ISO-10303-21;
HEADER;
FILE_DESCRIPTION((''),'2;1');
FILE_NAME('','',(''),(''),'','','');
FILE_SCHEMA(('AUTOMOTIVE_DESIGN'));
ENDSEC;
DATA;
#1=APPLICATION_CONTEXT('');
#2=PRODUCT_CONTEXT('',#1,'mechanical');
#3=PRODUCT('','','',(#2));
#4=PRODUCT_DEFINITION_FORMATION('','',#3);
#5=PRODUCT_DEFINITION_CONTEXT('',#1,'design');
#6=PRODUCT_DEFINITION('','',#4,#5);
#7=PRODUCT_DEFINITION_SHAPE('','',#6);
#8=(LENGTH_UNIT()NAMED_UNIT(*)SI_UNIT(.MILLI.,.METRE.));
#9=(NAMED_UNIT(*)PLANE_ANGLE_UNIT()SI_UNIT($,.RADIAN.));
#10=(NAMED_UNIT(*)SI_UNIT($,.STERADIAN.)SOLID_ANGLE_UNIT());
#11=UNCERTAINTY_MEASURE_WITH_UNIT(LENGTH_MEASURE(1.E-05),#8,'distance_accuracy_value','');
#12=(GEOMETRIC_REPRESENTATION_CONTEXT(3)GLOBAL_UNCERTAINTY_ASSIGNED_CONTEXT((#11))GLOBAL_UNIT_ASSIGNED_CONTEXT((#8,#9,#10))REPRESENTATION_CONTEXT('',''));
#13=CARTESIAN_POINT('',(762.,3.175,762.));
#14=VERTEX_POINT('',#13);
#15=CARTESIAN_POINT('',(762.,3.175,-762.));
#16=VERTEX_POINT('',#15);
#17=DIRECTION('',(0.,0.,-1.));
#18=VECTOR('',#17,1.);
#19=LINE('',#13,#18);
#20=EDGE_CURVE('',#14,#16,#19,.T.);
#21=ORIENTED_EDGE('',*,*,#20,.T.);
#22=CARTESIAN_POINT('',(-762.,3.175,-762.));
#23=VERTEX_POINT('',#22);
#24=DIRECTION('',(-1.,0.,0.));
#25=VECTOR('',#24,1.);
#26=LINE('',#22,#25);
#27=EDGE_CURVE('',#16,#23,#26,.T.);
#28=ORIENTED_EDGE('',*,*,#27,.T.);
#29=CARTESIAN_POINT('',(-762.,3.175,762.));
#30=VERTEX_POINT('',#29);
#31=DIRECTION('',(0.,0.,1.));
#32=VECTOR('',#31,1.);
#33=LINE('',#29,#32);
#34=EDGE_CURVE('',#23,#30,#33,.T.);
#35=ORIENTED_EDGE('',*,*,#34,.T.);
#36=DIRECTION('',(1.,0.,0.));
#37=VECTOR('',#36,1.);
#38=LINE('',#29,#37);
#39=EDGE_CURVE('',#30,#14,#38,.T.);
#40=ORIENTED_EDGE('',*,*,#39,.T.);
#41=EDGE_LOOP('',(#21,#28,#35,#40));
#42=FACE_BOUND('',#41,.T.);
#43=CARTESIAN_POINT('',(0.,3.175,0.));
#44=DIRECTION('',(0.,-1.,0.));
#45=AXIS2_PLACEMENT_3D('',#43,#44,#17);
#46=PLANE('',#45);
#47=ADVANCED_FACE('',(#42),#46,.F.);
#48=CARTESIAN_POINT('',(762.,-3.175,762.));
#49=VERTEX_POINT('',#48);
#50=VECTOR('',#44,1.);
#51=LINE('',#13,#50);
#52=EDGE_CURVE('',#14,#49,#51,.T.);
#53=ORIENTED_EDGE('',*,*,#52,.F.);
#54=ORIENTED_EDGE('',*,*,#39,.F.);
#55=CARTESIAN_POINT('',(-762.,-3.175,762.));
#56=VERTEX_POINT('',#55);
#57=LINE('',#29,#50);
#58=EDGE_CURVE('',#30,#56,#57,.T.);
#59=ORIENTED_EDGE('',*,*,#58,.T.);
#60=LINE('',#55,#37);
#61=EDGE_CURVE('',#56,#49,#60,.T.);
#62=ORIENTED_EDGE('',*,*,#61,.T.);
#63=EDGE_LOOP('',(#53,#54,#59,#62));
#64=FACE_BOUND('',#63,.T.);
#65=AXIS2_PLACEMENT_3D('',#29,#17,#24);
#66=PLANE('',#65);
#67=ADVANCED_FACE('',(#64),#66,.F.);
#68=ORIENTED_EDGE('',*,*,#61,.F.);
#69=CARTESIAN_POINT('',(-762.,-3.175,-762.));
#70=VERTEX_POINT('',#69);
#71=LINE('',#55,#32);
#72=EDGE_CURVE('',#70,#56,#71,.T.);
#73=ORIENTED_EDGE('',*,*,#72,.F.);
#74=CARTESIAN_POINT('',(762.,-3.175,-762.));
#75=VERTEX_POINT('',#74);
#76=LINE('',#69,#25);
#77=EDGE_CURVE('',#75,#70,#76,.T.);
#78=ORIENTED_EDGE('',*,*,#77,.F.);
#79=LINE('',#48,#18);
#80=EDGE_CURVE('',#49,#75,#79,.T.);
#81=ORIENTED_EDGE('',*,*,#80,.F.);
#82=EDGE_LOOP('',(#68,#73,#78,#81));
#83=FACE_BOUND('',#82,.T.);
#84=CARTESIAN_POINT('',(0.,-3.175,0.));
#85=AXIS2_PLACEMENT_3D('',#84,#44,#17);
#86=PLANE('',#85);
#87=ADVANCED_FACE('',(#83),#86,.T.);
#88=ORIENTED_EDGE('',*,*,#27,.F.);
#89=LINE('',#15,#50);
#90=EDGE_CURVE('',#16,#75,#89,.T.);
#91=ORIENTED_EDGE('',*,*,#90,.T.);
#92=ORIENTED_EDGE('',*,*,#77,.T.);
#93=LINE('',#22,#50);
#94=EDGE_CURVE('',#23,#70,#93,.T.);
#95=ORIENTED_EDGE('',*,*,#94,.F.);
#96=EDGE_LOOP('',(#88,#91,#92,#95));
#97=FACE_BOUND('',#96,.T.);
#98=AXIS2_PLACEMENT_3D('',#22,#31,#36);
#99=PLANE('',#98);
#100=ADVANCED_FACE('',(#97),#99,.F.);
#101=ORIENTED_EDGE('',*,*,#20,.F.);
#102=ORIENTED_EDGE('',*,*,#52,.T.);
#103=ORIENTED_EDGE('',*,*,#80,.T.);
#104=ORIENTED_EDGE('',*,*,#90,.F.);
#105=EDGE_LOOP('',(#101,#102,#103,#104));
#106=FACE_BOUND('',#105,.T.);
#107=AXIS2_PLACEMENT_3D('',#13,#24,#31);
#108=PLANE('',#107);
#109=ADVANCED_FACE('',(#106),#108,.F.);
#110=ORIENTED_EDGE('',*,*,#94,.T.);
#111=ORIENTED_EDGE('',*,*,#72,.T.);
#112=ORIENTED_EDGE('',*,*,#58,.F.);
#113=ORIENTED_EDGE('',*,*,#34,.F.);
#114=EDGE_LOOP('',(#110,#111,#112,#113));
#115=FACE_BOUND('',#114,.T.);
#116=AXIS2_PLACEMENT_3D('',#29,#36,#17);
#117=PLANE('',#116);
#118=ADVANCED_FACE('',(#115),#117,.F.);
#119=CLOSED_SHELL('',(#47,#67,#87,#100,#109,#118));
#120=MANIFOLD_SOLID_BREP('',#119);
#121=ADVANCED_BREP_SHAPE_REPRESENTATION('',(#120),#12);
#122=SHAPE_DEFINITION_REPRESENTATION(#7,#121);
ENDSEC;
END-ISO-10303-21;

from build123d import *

# Parameters (mm, degrees)
SKETCH1_W           = 1524
SKETCH1_H           = 1524
BOSS_EXTRUDE1_DEPTH = 3.175


with BuildPart() as part:
    # Sketch1 → Boss-Extrude1 (new body, symmetric)
    with BuildSketch(Plane(origin=(0, 0, 0), x_dir=(1, 0, 0), z_dir=(0, 1, 0))):
        Rectangle(SKETCH1_W, SKETCH1_H)
    extrude(amount=BOSS_EXTRUDE1_DEPTH, both=True)


solid = part.part
